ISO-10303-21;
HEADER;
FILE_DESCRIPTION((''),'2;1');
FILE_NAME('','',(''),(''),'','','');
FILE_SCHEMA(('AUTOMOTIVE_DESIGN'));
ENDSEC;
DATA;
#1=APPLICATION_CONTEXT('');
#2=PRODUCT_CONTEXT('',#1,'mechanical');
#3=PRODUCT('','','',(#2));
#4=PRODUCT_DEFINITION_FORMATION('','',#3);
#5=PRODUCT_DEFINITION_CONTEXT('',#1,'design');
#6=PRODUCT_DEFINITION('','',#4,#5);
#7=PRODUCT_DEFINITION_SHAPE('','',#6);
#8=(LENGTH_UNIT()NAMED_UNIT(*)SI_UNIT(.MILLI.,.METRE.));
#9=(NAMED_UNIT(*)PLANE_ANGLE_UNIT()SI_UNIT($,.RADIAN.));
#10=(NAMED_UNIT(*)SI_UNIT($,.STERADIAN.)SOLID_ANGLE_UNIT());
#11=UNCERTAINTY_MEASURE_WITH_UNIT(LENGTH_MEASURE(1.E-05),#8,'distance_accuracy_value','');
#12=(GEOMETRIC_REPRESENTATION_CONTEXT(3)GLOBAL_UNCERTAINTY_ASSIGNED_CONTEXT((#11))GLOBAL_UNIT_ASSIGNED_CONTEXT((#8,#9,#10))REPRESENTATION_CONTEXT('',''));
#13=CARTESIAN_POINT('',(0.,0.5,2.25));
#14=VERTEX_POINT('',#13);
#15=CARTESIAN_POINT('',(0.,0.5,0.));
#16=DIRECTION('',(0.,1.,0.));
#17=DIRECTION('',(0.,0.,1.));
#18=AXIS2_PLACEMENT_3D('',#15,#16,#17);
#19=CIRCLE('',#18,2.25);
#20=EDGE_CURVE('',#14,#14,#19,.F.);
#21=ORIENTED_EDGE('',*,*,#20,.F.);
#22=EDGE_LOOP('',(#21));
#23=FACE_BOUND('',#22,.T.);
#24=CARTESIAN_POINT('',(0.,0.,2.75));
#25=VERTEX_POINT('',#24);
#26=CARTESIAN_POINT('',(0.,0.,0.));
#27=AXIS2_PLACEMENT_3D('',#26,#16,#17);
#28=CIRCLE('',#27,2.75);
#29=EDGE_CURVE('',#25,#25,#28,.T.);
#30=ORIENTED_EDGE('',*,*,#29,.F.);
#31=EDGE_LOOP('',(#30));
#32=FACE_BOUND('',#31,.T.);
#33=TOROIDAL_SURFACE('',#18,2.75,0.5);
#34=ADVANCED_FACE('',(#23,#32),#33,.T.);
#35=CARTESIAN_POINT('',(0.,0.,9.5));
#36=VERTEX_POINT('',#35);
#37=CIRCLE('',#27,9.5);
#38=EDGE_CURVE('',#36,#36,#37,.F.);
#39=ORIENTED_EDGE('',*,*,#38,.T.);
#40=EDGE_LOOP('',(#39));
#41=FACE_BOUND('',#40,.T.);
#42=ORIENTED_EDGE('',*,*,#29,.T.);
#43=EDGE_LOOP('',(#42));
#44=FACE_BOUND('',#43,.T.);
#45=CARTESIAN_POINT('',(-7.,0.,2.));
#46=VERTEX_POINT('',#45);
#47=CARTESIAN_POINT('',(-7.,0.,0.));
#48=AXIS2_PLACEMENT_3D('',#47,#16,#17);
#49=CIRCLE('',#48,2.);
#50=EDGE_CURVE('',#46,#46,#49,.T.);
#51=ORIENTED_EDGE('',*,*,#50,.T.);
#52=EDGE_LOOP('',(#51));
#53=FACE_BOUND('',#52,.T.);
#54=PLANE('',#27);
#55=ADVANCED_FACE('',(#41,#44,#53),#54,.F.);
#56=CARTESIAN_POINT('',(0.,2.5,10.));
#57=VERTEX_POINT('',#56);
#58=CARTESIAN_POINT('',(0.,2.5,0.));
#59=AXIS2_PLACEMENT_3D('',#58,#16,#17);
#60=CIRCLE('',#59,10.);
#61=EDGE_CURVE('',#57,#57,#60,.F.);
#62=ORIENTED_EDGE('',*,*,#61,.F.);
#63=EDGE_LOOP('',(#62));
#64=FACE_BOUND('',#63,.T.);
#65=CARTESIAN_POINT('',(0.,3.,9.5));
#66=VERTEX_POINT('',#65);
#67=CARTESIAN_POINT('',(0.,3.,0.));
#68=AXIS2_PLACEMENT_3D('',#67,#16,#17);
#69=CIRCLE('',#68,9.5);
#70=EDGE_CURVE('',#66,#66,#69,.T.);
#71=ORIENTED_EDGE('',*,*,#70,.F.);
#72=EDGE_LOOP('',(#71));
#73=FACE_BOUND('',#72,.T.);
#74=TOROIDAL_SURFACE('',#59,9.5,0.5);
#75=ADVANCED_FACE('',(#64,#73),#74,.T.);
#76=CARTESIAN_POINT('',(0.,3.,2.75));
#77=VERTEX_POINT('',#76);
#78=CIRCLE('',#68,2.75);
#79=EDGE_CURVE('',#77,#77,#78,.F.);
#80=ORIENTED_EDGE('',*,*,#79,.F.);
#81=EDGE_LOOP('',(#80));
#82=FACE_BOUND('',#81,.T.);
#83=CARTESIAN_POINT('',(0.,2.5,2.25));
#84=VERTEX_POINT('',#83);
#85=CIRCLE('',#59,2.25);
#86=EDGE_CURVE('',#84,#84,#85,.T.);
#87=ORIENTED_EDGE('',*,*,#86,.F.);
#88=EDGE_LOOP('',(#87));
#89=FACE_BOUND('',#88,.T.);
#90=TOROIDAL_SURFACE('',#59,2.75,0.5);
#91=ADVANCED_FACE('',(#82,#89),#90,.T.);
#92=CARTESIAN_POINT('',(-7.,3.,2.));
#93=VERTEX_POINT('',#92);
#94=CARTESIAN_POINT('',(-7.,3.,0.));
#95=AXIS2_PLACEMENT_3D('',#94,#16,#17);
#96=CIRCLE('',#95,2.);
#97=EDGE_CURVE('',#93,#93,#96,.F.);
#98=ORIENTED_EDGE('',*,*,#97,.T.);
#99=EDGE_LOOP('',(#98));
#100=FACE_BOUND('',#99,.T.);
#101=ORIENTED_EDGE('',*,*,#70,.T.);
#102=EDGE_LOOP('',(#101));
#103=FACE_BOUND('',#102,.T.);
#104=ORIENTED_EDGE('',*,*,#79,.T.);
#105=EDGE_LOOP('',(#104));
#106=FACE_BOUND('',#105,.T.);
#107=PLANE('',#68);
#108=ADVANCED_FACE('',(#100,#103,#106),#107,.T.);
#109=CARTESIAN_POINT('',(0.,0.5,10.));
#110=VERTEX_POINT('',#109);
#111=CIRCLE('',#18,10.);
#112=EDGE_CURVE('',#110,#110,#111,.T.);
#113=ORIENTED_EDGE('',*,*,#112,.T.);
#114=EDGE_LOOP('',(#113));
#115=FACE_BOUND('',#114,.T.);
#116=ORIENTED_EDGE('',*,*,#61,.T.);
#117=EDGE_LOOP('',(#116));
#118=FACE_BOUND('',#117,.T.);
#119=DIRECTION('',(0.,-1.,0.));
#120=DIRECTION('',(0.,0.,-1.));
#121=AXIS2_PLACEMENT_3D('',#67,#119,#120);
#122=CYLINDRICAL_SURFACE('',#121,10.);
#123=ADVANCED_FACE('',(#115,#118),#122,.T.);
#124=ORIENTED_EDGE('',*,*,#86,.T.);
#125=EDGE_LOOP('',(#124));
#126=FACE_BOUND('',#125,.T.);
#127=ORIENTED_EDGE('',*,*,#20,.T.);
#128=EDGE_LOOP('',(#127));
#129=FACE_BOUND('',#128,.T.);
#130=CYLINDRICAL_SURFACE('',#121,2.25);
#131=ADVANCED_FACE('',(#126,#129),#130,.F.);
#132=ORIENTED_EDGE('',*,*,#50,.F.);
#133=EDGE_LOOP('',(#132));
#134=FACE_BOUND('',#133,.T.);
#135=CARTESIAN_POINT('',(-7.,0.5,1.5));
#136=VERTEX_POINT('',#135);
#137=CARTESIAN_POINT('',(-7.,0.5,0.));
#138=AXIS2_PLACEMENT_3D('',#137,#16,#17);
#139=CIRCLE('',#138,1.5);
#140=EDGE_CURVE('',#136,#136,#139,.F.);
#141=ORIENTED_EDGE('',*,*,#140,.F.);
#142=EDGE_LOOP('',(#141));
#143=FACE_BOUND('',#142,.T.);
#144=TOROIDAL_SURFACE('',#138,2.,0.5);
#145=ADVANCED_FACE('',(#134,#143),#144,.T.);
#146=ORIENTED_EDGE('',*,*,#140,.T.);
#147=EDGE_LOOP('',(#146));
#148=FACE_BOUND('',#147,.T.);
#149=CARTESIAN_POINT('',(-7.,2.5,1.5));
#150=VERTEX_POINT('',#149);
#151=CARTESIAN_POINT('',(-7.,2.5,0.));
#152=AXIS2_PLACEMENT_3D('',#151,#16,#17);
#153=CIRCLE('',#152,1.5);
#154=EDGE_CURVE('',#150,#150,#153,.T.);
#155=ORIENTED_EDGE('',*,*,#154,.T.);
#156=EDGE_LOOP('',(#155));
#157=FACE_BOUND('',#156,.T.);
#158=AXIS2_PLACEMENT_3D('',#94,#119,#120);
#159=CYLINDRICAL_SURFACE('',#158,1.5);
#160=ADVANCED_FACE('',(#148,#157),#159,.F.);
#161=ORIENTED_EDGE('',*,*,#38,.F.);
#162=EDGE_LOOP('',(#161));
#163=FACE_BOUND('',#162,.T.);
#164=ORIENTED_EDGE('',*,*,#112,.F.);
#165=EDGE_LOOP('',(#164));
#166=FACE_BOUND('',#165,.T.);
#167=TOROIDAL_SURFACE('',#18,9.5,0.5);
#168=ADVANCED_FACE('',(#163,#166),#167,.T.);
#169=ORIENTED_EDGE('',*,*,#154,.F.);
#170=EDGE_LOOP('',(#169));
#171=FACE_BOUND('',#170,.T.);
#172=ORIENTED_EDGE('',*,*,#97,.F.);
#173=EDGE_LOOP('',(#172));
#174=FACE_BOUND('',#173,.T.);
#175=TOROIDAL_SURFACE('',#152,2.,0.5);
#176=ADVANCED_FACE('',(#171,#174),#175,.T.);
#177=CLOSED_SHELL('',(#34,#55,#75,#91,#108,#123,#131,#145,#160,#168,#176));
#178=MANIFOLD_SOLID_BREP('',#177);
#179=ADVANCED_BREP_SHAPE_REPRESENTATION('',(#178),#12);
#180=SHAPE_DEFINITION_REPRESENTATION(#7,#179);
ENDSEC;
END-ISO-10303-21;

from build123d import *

# Parameters (mm, degrees)
SKETCH1_R           = 10
SKETCH1_R_2         = 2.25
SKETCH1_R_3         = 1.5
BOSS_EXTRUDE1_DEPTH = 3
FILLET1_R           = 0.5


with BuildPart() as part:
    # Sketch1 → Boss-Extrude1 (new body)
    with BuildSketch(Plane(origin=(0, 0, 0), x_dir=(1, 0, 0), z_dir=(0, 1, 0))):
        with Locations(Location((0, 0, 0), (0, 0, 270))):
            Circle(SKETCH1_R)
        with Locations(Location((0, 0, 0), (0, 0, 270))):
            Circle(SKETCH1_R_2, mode=Mode.SUBTRACT)
        with Locations(Location((-7, 0, 0), (0, 0, 270))):
            Circle(SKETCH1_R_3, mode=Mode.SUBTRACT)
    extrude(amount=BOSS_EXTRUDE1_DEPTH)

    # Fillet1
    fillet1_edges = [part.edges().sort_by_distance(p)[0] for p in [
        (0, 0, -10),
        (0, 3, -10),
        (0, 0, -2.25),
        (0, 3, -2.25),
        (-7, 0, -1.5),
        (-7, 3, -1.5),
    ]]
    fillet(fillet1_edges, radius=FILLET1_R)


solid = part.part
